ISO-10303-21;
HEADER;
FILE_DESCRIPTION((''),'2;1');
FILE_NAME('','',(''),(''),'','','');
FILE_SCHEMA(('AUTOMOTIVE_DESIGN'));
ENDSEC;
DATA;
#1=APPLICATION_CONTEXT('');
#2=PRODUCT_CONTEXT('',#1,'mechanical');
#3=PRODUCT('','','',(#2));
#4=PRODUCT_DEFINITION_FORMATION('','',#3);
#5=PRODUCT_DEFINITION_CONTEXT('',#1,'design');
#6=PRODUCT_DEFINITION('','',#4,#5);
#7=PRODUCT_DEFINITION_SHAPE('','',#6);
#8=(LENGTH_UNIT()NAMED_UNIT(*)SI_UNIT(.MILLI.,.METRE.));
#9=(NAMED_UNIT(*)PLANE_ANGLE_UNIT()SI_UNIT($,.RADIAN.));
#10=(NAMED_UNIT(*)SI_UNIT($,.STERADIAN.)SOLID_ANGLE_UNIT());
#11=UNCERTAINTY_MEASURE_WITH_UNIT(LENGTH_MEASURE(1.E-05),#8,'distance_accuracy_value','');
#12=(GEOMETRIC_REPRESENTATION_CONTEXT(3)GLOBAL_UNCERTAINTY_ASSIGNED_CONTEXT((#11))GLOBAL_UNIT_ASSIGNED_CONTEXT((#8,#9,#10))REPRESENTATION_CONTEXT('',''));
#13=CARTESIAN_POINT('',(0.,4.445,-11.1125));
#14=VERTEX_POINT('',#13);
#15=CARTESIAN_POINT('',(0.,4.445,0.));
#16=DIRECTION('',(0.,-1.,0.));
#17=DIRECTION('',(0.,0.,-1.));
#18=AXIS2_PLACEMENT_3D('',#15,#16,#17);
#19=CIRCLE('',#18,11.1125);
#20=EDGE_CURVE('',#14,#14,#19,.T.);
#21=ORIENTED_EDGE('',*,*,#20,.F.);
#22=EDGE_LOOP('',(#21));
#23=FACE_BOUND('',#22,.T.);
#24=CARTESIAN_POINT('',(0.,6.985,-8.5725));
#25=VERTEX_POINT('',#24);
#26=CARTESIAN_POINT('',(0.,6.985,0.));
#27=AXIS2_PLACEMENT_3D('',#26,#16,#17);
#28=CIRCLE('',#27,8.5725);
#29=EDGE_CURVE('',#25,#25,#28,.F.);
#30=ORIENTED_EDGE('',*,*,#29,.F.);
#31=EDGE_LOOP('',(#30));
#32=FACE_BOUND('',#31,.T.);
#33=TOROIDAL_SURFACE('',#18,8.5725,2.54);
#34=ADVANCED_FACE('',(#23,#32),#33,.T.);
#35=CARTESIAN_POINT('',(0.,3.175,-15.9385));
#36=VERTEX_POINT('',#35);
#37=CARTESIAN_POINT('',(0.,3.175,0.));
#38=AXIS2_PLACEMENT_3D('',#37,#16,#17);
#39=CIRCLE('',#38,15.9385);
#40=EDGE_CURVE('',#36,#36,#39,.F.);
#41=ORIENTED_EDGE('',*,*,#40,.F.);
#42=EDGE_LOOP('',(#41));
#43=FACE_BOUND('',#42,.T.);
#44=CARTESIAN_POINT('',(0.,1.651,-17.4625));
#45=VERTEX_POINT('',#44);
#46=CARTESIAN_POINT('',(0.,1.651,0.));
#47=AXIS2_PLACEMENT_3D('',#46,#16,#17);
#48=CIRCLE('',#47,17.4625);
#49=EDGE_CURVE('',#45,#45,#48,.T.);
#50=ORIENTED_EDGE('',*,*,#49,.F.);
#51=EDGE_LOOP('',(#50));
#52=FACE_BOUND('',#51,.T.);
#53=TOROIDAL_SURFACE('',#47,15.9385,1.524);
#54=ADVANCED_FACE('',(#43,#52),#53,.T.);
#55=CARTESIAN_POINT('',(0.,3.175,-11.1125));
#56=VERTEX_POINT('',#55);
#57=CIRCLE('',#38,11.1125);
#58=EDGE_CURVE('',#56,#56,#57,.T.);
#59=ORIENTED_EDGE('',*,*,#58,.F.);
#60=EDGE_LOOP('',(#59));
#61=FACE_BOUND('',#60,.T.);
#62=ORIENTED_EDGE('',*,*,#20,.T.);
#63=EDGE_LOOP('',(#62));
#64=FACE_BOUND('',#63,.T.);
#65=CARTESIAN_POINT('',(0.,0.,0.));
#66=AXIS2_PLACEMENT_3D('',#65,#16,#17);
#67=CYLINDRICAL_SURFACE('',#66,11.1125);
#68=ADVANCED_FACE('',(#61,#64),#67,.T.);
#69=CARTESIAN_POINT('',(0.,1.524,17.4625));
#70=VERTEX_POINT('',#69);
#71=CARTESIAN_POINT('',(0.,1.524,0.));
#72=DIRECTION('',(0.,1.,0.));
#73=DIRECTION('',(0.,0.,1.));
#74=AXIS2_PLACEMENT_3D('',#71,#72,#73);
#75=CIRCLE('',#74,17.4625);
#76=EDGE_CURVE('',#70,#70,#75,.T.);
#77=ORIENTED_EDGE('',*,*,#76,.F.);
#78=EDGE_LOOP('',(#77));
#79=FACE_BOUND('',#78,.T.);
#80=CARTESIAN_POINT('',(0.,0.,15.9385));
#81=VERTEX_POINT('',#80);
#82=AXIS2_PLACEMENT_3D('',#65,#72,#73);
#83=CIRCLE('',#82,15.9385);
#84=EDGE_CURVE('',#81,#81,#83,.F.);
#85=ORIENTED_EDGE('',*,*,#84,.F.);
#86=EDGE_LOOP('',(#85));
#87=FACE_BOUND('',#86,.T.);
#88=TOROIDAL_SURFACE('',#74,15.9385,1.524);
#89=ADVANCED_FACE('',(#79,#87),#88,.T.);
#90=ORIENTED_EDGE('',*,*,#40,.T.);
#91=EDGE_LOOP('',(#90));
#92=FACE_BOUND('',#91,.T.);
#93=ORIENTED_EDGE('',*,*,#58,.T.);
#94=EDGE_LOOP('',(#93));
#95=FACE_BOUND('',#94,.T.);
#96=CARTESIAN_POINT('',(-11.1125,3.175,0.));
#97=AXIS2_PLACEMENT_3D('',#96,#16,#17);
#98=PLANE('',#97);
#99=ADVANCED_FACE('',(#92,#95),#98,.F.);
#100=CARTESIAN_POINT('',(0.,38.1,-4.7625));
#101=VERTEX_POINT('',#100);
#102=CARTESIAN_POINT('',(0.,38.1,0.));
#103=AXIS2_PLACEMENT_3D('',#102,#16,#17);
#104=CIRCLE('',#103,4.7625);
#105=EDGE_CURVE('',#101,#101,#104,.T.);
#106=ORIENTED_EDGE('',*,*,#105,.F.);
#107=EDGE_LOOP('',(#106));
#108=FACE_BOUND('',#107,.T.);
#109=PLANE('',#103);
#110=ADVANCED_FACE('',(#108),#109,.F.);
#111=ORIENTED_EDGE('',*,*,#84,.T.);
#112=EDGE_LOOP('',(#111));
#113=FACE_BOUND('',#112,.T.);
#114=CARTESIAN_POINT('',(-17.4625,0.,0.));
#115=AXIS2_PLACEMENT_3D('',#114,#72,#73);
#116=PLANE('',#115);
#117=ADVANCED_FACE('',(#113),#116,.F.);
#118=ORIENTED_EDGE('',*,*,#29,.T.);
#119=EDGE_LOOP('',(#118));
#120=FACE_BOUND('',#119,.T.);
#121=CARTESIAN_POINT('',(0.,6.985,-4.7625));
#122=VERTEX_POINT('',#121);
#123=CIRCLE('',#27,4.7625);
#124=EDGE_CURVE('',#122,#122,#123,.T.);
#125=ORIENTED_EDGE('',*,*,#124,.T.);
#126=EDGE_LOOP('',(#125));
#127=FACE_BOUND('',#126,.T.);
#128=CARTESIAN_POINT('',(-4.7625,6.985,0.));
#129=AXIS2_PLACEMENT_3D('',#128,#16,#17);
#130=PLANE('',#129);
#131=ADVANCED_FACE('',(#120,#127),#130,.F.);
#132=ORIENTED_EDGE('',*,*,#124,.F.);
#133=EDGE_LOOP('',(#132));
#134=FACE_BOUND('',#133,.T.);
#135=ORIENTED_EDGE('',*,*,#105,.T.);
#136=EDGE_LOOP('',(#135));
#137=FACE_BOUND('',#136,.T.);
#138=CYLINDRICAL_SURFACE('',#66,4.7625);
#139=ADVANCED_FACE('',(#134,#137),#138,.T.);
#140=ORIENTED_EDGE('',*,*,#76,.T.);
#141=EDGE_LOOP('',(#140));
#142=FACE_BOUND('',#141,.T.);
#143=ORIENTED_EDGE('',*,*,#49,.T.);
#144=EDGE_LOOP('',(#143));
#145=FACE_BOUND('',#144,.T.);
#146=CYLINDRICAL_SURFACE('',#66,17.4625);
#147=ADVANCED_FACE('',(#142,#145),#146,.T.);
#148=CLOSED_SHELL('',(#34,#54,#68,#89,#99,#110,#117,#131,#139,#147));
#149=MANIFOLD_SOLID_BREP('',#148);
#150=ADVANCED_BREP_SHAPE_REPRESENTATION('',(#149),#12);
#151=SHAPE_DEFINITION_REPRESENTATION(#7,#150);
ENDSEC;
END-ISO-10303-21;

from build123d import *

# Parameters (mm, degrees)
FILLET2_R = 1.524
FILLET3_R = 2.54


with BuildPart() as part:
    # Sketch1 → Base-Revolve (revolve)
    with BuildSketch(Plane.XY):
        Polygon((0, 0), (0, 38.1), (-4.7625, 38.1), (-4.7625, 6.985), (-11.1125, 6.985), (-11.1125, 3.175), (-17.4625, 3.175), (-17.4625, 0), align=None)
    revolve(axis=Axis((0, 0, 0), (0, 1, 0)))

    # Fillet2
    fillet2_edges = [part.edges().sort_by_distance(p)[0] for p in [
        (17.4625, 3.175, 0),
        (17.4625, 0, 0),
    ]]
    fillet(fillet2_edges, radius=FILLET2_R)

    # Fillet3
    fillet3_edges = [part.edges().sort_by_distance(p)[0] for p in [
        (11.1125, 6.985, 0),
    ]]
    fillet(fillet3_edges, radius=FILLET3_R)


solid = part.part
